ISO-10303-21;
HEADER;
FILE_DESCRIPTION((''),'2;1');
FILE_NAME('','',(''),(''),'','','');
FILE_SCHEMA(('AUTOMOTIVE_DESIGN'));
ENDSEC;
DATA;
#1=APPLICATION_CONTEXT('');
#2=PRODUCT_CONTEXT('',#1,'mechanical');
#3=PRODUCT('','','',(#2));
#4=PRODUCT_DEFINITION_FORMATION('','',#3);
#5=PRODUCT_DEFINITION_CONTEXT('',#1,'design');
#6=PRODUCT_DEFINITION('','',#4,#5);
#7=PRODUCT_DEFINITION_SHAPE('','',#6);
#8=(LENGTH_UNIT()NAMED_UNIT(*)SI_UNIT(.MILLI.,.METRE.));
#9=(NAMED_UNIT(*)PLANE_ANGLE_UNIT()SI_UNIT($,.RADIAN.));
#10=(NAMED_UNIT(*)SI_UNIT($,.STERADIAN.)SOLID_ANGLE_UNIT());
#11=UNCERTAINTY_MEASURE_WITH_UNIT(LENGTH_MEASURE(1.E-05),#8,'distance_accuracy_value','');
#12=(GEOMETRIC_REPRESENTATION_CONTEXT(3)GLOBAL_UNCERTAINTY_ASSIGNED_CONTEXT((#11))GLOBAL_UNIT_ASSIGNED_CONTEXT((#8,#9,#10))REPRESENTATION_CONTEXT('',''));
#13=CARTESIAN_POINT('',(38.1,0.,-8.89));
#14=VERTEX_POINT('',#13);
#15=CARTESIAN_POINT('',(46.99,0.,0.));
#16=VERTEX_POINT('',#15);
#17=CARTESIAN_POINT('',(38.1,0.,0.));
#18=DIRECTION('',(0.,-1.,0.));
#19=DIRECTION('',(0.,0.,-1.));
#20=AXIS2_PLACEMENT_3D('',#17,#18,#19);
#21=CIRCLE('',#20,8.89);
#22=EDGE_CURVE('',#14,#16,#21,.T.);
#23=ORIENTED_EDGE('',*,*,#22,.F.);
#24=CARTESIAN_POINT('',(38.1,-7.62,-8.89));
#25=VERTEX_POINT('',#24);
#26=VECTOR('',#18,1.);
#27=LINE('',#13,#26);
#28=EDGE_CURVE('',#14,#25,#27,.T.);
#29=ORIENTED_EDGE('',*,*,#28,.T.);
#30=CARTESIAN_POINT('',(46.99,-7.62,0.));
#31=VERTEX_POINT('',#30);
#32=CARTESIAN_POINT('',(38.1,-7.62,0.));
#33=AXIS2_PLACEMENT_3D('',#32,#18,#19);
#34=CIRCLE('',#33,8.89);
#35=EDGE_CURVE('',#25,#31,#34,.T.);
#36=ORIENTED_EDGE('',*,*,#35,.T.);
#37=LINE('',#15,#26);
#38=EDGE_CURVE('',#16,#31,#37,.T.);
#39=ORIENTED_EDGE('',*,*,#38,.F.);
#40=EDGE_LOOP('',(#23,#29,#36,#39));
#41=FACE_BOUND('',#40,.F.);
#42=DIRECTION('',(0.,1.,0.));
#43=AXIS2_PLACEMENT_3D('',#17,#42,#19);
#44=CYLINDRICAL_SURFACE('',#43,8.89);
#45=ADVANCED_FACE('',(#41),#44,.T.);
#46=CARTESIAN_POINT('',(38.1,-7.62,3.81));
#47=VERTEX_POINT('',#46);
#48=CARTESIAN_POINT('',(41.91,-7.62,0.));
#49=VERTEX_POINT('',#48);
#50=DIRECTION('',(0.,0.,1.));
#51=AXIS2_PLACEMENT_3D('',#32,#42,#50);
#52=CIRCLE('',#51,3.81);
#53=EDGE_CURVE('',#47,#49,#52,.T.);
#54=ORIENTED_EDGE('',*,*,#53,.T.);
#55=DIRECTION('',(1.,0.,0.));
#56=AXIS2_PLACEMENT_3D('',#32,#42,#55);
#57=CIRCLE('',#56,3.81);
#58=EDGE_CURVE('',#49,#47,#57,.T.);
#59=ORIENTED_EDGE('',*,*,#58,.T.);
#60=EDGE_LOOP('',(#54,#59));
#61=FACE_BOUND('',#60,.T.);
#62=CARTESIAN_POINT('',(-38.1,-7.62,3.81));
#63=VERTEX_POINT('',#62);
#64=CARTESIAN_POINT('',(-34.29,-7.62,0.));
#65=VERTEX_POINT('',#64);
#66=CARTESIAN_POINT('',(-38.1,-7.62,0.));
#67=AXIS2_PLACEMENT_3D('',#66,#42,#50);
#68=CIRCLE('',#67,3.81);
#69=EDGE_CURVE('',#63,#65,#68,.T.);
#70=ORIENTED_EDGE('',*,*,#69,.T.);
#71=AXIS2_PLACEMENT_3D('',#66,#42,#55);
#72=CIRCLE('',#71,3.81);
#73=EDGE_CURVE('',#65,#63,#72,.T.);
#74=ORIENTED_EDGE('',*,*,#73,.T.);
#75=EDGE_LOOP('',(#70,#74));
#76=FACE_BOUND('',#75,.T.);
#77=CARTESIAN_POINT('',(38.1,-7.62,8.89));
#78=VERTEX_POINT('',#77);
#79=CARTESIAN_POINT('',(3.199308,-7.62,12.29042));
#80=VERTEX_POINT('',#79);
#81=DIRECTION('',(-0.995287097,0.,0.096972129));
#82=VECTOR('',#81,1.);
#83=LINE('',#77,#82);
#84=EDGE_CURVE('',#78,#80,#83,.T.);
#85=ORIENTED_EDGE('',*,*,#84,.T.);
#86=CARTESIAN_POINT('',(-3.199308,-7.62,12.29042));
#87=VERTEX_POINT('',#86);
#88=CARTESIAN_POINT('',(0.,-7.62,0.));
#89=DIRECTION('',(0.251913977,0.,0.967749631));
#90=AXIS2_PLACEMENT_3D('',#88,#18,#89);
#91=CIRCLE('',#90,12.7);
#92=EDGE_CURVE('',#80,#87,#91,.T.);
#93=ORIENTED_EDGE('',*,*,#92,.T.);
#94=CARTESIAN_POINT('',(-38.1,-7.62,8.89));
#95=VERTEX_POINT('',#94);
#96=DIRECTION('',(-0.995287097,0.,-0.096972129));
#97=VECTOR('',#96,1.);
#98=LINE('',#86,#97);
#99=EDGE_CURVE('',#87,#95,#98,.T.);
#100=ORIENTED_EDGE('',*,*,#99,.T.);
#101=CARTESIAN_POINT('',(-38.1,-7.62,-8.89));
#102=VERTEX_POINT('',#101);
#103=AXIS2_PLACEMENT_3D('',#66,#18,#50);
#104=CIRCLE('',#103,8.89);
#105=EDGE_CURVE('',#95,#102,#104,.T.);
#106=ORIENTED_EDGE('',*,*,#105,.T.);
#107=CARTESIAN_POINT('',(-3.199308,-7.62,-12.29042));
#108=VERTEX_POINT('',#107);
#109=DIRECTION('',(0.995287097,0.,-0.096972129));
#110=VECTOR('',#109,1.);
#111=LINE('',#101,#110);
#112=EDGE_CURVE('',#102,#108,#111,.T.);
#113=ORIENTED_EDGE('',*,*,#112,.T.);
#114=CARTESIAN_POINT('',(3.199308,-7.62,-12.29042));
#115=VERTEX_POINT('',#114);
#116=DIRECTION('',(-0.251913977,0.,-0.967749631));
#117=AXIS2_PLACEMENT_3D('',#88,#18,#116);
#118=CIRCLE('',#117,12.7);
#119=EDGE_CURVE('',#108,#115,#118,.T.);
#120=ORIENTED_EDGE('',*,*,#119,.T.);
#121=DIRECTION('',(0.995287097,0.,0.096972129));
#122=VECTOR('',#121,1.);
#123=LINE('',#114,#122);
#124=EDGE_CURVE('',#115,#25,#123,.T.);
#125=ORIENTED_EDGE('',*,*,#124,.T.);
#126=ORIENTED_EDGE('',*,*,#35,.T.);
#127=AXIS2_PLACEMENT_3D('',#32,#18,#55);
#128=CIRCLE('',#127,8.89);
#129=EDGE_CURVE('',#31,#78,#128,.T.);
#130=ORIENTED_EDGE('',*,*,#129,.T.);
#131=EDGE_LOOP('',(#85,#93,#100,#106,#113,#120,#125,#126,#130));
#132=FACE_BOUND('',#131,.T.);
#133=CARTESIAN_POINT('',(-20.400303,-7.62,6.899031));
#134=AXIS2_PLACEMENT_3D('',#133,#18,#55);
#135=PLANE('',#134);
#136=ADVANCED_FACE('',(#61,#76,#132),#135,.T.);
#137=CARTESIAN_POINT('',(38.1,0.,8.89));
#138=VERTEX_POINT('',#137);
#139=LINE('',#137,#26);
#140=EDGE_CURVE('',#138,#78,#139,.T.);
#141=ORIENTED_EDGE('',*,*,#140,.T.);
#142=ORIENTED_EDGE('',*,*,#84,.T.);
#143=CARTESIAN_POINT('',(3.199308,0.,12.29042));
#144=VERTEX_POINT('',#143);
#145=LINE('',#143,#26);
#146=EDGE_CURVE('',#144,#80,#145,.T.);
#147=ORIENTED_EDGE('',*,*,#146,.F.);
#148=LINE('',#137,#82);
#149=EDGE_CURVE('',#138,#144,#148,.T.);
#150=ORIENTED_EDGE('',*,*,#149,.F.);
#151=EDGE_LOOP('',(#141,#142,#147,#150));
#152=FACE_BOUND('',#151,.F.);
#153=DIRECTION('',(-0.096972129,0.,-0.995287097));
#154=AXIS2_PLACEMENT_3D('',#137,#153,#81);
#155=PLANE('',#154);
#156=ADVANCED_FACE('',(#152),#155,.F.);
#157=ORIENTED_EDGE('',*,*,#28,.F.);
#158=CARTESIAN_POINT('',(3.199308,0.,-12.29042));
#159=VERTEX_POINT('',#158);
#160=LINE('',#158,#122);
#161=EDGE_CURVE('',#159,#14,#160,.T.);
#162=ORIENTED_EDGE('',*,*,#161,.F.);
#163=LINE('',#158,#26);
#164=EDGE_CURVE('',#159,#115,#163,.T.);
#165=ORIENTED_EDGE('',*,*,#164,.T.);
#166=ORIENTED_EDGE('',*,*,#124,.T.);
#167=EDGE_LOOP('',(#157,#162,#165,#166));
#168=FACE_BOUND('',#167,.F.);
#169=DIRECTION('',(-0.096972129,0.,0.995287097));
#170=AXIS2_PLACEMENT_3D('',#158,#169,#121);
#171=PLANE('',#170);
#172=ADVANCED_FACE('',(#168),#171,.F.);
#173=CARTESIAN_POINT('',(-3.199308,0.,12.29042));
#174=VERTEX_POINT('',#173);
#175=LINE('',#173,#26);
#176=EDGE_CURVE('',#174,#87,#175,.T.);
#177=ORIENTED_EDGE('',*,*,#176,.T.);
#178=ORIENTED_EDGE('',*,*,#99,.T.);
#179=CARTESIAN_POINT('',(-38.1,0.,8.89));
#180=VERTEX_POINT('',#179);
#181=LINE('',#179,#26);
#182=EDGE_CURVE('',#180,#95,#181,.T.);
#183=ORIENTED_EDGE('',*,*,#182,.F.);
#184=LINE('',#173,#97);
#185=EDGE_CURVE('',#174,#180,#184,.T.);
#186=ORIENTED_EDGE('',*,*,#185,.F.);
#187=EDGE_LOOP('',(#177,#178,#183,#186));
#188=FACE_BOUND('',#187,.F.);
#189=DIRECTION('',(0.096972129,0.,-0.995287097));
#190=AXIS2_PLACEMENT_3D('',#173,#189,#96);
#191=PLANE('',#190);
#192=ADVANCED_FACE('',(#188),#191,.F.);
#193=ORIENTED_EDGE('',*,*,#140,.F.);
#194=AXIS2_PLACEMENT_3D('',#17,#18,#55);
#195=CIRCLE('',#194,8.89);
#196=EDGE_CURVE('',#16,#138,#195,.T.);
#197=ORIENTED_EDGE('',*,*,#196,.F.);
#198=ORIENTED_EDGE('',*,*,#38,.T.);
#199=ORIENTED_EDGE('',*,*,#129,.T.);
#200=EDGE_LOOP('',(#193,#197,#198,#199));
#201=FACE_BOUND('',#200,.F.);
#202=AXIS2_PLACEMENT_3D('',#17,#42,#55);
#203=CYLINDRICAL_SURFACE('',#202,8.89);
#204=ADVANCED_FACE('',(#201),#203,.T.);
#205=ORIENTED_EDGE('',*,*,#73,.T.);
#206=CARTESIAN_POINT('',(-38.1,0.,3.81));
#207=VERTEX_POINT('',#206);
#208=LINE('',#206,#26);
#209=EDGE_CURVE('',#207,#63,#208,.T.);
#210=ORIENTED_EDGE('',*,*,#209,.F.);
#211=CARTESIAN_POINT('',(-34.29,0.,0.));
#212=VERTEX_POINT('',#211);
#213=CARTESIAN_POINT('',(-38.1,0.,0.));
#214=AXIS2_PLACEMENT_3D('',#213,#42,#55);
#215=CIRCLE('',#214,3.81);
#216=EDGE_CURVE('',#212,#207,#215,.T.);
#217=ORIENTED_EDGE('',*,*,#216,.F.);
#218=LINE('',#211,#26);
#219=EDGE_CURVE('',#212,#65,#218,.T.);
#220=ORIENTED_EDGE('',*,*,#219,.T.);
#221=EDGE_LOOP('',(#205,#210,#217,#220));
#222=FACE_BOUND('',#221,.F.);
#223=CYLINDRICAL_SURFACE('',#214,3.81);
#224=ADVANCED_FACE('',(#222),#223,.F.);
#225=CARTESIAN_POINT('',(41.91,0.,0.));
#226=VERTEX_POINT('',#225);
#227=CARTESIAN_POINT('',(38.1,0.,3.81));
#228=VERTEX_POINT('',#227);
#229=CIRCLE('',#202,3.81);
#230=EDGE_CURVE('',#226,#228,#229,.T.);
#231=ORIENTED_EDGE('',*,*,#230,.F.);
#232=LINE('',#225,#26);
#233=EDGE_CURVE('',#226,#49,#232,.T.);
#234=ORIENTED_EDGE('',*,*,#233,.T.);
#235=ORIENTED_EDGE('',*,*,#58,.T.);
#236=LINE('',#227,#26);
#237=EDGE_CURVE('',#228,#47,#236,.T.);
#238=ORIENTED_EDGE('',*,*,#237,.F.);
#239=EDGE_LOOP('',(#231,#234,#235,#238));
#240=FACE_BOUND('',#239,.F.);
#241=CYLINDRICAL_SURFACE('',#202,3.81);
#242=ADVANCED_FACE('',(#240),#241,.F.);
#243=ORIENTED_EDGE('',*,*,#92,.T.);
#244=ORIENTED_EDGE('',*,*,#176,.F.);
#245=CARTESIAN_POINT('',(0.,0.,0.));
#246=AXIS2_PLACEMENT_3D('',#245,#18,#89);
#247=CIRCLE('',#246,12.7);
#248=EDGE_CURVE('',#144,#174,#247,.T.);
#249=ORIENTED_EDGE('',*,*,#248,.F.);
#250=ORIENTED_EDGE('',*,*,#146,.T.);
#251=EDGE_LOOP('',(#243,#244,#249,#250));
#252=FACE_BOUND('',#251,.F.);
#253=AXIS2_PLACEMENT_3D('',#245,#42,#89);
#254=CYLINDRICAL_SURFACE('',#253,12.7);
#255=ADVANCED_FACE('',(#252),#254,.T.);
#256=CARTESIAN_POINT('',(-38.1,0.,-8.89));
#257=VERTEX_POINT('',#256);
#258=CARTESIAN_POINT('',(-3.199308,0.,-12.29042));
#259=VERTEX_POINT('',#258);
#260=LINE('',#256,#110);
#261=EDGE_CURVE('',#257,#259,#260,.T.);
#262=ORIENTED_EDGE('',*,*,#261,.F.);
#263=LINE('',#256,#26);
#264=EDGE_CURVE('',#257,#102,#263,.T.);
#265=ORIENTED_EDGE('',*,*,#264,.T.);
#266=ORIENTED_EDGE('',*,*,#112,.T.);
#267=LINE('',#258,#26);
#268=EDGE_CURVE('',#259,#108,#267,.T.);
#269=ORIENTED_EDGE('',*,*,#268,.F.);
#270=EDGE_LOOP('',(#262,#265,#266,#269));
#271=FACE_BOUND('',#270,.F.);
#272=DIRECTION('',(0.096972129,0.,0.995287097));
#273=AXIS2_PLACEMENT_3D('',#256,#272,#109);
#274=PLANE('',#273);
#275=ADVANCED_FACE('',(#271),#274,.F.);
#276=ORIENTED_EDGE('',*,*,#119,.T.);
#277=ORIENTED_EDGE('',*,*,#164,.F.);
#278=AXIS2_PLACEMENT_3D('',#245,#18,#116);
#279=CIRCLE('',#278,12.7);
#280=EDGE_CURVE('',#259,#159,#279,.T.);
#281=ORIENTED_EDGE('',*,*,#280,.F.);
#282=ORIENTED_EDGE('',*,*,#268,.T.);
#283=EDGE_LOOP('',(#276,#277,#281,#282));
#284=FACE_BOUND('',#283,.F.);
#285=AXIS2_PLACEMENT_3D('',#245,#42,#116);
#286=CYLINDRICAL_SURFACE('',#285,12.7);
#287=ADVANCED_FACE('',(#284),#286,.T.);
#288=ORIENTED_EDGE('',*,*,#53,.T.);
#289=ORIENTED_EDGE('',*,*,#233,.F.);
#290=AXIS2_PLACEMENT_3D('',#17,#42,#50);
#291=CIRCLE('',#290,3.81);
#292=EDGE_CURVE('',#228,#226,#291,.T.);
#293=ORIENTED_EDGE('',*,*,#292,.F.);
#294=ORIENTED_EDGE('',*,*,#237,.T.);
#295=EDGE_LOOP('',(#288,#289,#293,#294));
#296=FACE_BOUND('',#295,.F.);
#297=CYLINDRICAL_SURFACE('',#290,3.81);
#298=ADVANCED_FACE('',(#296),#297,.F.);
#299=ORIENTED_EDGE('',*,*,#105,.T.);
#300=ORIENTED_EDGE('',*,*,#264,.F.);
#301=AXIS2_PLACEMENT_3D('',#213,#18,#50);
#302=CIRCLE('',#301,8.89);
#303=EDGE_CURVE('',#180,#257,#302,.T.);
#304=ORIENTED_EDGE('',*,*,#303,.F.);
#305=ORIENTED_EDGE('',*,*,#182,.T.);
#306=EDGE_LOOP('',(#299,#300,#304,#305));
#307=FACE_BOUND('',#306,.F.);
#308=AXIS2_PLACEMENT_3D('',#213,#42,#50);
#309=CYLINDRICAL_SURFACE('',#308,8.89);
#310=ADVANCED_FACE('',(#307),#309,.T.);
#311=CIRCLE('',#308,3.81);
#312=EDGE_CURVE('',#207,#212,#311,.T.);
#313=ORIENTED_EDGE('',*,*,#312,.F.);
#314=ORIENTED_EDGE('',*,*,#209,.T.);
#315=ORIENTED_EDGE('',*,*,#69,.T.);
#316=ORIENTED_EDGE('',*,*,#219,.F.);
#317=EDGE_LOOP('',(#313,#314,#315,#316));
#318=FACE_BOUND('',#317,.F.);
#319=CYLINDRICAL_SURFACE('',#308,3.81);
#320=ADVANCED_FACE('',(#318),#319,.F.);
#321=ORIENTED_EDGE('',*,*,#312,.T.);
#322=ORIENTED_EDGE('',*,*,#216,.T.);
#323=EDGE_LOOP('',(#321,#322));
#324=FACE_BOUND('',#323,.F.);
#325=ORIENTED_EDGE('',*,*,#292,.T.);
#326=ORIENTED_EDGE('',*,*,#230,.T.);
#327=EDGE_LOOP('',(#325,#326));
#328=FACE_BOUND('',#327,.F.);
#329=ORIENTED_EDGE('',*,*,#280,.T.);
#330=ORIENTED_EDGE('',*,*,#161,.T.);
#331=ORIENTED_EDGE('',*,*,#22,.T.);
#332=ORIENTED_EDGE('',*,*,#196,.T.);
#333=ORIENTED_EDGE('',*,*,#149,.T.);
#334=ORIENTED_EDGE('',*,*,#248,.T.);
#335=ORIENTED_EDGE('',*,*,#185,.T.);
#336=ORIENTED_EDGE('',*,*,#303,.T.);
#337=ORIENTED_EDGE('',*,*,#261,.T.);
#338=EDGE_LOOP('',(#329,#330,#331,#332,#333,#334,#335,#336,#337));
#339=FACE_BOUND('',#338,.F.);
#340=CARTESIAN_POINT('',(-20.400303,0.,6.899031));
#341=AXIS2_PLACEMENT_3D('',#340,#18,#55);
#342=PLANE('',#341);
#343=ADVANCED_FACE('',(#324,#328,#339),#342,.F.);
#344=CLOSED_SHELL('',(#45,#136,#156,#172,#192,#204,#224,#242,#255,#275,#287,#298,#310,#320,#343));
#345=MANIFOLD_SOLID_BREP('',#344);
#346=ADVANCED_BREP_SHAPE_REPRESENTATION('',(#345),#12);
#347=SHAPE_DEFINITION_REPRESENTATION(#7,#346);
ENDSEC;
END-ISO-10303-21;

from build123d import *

# Parameters (mm, degrees)
F1_DEPTH = 7.62


with BuildPart() as f1:
    # F0 (on Front) → F1 (new body)
    with BuildSketch(Plane.XZ):
        with BuildLine():
            ThreePointArc((-12.7, 0), (-10.0479153388, 7.7672000968), (-3.199307505, 12.2904203138))
            Line((-3.199307505, 12.2904203138), (-38.1, 8.89))
            ThreePointArc((-38.1, 8.89), (-31.8138207153, 6.2861792847), (-29.21, 0))
            Line((-29.21, 0), (-12.7, 0))
        make_face()
        with BuildLine():
            Line((-38.1, -8.89), (-3.199307505, -12.2904203138))
            ThreePointArc((-3.199307505, -12.2904203138), (-10.0479153388, -7.7672000968), (-12.7, 0))
            Line((-12.7, 0), (-29.21, 0))
            ThreePointArc((-29.21, 0), (-31.8138207153, -6.2861792847), (-38.1, -8.89))
        make_face()
        with BuildLine():
            ThreePointArc((3.199307505, 12.2904203138), (10.0479153388, 7.7672000968), (12.7, 0))
            ThreePointArc((12.7, 0), (10.0479153388, -7.7672000968), (3.199307505, -12.2904203138))
            Line((3.199307505, -12.2904203138), (38.1, -8.89))
            ThreePointArc((38.1, -8.89), (29.21, 0), (38.1, 8.89))
            Line((38.1, 8.89), (3.199307505, 12.2904203138))
        make_face()
        with BuildLine():
            Line((-38.1, 3.81), (-38.1, 8.89))
            ThreePointArc((-38.1, 8.89), (-46.99, 0), (-38.1, -8.89))
            ThreePointArc((-38.1, -8.89), (-31.8138207153, -6.2861792847), (-29.21, 0))
            Line((-29.21, 0), (-34.29, 0))
            ThreePointArc((-34.29, 0), (-40.7940768363, -2.6940768363), (-38.1, 3.81))
        make_face()
        with BuildLine():
            ThreePointArc((-29.21, 0), (-31.8138207153, 6.2861792847), (-38.1, 8.89))
            Line((-38.1, 8.89), (-38.1, 3.81))
            ThreePointArc((-38.1, 3.81), (-35.4059231637, 2.6940768363), (-34.29, 0))
            Line((-34.29, 0), (-29.21, 0))
        make_face()
        with BuildLine():
            ThreePointArc((3.199307505, -12.2904203138), (10.0479153388, -7.7672000968), (12.7, 0))
            ThreePointArc((12.7, 0), (10.0479153388, 7.7672000968), (3.199307505, 12.2904203138))
            ThreePointArc((3.199307505, 12.2904203138), (0, 12.7), (-3.199307505, 12.2904203138))
            ThreePointArc((-3.199307505, 12.2904203138), (-10.0479153388, 7.7672000968), (-12.7, 0))
            ThreePointArc((-12.7, 0), (-10.0479153388, -7.7672000968), (-3.199307505, -12.2904203138))
            ThreePointArc((-3.199307505, -12.2904203138), (0, -12.7), (3.199307505, -12.2904203138))
        make_face()
        with BuildLine():
            ThreePointArc((46.99, 0), (44.3861792847, 6.2861792847), (38.1, 8.89))
            ThreePointArc((38.1, 8.89), (29.21, 0), (38.1, -8.89))
            ThreePointArc((38.1, -8.89), (44.3861792847, -6.2861792847), (46.99, 0))
        make_face()
        with BuildLine():
            ThreePointArc((41.91, 0), (35.4059231637, -2.6940768363), (38.1, 3.81))
            ThreePointArc((38.1, 3.81), (40.7940768363, 2.6940768363), (41.91, 0))
        make_face(mode=Mode.SUBTRACT)
    extrude(amount=F1_DEPTH)


solid = f1.part
